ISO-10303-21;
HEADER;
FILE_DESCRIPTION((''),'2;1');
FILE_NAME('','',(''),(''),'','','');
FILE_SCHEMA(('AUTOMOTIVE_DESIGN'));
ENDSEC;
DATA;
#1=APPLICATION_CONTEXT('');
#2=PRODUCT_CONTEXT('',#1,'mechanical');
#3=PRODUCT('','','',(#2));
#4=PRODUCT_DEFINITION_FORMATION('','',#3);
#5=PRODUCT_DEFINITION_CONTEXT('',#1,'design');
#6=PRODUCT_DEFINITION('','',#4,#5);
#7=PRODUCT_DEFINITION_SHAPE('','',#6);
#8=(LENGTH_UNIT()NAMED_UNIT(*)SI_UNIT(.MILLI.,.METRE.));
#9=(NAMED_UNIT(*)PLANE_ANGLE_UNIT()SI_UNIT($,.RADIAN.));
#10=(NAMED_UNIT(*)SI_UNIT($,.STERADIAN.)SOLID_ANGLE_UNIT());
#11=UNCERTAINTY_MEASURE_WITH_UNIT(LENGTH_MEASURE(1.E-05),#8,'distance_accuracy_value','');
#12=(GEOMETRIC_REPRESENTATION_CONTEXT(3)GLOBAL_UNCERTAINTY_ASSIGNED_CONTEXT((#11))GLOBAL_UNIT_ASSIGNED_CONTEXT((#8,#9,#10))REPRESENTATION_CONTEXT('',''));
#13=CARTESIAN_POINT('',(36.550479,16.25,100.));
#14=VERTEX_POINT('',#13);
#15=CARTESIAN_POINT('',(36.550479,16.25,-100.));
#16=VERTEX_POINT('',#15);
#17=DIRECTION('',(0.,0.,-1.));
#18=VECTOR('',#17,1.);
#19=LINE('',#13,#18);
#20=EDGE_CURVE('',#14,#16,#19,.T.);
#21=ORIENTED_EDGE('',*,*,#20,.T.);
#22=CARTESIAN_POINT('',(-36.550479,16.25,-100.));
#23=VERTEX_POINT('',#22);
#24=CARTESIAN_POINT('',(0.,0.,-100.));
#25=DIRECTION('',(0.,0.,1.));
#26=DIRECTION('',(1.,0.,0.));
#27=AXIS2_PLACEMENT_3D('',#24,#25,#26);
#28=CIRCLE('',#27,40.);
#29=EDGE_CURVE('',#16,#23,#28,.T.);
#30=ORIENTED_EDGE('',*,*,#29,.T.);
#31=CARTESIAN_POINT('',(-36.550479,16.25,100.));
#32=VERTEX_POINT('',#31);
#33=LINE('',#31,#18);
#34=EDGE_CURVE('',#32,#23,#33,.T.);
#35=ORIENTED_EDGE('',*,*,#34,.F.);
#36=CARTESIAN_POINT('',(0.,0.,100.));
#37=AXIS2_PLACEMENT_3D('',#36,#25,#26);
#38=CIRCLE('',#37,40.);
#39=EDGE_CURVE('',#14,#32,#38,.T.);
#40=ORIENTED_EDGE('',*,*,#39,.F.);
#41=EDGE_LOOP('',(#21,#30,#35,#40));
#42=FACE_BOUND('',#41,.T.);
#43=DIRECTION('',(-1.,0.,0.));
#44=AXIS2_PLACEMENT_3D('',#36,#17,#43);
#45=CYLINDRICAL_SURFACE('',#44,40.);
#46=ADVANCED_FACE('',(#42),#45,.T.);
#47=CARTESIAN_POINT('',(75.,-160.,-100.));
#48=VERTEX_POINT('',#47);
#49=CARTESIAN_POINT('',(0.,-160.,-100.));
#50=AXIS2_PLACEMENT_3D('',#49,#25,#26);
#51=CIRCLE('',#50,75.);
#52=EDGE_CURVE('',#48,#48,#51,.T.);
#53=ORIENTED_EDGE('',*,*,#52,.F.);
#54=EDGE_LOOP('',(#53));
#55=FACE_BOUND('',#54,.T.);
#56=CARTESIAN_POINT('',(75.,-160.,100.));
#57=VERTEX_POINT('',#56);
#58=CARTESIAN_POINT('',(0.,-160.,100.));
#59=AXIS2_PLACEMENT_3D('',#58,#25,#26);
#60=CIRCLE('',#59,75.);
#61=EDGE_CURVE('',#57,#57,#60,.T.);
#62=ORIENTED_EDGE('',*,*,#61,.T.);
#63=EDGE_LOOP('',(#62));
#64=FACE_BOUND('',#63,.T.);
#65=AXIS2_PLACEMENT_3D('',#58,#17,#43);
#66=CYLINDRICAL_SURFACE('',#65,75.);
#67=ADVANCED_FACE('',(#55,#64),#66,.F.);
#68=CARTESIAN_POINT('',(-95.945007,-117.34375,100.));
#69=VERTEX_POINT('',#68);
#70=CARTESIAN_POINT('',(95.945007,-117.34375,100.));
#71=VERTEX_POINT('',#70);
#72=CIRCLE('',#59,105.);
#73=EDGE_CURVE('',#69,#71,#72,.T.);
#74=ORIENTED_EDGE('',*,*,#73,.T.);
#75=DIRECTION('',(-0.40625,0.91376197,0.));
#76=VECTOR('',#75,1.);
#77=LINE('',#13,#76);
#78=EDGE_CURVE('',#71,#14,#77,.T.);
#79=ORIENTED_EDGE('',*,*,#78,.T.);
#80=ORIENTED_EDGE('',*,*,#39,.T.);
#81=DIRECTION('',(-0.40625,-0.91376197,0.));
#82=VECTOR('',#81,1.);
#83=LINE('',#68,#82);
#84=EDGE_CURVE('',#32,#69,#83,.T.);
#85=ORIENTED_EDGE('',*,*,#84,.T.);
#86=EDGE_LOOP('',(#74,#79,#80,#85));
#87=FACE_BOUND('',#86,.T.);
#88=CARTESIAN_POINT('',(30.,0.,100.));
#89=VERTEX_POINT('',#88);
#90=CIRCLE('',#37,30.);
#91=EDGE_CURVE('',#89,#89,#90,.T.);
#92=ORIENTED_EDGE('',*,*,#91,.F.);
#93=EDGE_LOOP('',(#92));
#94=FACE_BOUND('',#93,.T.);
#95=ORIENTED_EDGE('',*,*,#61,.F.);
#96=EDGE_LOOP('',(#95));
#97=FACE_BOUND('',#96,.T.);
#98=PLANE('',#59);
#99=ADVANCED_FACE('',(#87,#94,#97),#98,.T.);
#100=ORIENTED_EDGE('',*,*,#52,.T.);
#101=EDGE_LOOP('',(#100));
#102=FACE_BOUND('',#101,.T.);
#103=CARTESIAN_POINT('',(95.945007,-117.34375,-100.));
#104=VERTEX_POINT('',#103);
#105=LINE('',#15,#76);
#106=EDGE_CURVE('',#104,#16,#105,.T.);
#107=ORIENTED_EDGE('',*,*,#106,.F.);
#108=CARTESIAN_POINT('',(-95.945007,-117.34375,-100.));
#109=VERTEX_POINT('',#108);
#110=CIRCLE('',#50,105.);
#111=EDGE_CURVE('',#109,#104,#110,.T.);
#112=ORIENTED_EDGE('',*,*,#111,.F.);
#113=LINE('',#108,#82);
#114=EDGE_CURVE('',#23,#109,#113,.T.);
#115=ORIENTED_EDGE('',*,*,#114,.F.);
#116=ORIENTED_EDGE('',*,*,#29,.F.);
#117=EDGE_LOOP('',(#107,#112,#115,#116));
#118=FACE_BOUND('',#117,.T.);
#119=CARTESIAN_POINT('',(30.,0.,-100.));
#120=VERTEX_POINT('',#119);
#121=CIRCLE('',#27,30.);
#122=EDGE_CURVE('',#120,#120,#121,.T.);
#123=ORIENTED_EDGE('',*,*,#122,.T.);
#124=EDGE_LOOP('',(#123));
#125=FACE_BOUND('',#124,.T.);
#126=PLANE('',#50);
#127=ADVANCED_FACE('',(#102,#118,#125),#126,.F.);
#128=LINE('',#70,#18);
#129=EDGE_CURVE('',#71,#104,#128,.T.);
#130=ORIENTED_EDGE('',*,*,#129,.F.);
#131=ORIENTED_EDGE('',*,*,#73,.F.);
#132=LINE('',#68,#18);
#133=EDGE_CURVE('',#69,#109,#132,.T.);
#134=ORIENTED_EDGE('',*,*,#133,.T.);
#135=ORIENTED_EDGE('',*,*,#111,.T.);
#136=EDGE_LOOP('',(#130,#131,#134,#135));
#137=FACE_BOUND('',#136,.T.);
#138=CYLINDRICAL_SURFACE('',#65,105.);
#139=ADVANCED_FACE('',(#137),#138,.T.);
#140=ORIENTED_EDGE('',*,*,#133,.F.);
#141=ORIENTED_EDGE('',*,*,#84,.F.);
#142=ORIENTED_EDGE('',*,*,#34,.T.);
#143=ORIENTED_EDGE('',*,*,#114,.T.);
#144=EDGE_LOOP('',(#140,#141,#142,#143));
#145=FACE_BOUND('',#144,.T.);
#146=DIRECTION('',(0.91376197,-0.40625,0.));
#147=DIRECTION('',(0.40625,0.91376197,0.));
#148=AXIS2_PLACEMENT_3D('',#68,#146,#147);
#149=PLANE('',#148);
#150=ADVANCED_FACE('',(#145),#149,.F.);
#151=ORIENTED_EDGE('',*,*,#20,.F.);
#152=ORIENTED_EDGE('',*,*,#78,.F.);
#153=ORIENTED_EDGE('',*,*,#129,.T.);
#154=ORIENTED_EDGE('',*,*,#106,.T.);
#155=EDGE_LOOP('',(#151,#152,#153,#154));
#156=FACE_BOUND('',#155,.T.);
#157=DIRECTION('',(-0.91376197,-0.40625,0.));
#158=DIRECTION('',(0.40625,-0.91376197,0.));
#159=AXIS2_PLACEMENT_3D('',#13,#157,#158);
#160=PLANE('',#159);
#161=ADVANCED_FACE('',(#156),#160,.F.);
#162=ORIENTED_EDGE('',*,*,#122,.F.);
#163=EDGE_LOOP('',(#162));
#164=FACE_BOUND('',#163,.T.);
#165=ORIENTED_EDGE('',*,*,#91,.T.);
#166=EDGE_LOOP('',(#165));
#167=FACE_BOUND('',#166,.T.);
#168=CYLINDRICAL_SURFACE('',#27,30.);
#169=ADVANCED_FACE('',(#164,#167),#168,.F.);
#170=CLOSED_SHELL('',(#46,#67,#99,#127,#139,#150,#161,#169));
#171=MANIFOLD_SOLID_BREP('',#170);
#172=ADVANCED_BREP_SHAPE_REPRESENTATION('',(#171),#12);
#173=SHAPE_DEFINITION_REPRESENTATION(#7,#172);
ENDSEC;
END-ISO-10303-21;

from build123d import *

# Parameters (mm, degrees)
SKETCH1_R           = 75
BOSS_EXTRUDE1_DEPTH = 100
SKETCH3_R           = 30
CUT_EXTRUDE2_DEPTH  = 349.20970693


with BuildPart() as part:
    # Sketch1 → Boss-Extrude1 (new, symmetric)
    with BuildSketch(Plane.XY):
        with BuildLine():
            Line((-95.945006832, -117.34375), (-36.550478793, 16.25))
            ThreePointArc((-36.550478793, 16.25), (0, 40), (36.550478793, 16.25))
            Line((36.550478793, 16.25), (95.945006832, -117.34375))
            ThreePointArc((95.945006832, -117.34375), (0, -265), (-95.945006832, -117.34375))
        make_face()
        with Locations((0, -160)):
            Circle(SKETCH1_R, mode=Mode.SUBTRACT)
    extrude(amount=BOSS_EXTRUDE1_DEPTH, both=True)

    # Sketch3 → Cut-Extrude2 (cut, through all)
    with BuildSketch(Plane.XY.offset(100)):
        Circle(SKETCH3_R)
    extrude(amount=-CUT_EXTRUDE2_DEPTH, mode=Mode.SUBTRACT)


solid = part.part
